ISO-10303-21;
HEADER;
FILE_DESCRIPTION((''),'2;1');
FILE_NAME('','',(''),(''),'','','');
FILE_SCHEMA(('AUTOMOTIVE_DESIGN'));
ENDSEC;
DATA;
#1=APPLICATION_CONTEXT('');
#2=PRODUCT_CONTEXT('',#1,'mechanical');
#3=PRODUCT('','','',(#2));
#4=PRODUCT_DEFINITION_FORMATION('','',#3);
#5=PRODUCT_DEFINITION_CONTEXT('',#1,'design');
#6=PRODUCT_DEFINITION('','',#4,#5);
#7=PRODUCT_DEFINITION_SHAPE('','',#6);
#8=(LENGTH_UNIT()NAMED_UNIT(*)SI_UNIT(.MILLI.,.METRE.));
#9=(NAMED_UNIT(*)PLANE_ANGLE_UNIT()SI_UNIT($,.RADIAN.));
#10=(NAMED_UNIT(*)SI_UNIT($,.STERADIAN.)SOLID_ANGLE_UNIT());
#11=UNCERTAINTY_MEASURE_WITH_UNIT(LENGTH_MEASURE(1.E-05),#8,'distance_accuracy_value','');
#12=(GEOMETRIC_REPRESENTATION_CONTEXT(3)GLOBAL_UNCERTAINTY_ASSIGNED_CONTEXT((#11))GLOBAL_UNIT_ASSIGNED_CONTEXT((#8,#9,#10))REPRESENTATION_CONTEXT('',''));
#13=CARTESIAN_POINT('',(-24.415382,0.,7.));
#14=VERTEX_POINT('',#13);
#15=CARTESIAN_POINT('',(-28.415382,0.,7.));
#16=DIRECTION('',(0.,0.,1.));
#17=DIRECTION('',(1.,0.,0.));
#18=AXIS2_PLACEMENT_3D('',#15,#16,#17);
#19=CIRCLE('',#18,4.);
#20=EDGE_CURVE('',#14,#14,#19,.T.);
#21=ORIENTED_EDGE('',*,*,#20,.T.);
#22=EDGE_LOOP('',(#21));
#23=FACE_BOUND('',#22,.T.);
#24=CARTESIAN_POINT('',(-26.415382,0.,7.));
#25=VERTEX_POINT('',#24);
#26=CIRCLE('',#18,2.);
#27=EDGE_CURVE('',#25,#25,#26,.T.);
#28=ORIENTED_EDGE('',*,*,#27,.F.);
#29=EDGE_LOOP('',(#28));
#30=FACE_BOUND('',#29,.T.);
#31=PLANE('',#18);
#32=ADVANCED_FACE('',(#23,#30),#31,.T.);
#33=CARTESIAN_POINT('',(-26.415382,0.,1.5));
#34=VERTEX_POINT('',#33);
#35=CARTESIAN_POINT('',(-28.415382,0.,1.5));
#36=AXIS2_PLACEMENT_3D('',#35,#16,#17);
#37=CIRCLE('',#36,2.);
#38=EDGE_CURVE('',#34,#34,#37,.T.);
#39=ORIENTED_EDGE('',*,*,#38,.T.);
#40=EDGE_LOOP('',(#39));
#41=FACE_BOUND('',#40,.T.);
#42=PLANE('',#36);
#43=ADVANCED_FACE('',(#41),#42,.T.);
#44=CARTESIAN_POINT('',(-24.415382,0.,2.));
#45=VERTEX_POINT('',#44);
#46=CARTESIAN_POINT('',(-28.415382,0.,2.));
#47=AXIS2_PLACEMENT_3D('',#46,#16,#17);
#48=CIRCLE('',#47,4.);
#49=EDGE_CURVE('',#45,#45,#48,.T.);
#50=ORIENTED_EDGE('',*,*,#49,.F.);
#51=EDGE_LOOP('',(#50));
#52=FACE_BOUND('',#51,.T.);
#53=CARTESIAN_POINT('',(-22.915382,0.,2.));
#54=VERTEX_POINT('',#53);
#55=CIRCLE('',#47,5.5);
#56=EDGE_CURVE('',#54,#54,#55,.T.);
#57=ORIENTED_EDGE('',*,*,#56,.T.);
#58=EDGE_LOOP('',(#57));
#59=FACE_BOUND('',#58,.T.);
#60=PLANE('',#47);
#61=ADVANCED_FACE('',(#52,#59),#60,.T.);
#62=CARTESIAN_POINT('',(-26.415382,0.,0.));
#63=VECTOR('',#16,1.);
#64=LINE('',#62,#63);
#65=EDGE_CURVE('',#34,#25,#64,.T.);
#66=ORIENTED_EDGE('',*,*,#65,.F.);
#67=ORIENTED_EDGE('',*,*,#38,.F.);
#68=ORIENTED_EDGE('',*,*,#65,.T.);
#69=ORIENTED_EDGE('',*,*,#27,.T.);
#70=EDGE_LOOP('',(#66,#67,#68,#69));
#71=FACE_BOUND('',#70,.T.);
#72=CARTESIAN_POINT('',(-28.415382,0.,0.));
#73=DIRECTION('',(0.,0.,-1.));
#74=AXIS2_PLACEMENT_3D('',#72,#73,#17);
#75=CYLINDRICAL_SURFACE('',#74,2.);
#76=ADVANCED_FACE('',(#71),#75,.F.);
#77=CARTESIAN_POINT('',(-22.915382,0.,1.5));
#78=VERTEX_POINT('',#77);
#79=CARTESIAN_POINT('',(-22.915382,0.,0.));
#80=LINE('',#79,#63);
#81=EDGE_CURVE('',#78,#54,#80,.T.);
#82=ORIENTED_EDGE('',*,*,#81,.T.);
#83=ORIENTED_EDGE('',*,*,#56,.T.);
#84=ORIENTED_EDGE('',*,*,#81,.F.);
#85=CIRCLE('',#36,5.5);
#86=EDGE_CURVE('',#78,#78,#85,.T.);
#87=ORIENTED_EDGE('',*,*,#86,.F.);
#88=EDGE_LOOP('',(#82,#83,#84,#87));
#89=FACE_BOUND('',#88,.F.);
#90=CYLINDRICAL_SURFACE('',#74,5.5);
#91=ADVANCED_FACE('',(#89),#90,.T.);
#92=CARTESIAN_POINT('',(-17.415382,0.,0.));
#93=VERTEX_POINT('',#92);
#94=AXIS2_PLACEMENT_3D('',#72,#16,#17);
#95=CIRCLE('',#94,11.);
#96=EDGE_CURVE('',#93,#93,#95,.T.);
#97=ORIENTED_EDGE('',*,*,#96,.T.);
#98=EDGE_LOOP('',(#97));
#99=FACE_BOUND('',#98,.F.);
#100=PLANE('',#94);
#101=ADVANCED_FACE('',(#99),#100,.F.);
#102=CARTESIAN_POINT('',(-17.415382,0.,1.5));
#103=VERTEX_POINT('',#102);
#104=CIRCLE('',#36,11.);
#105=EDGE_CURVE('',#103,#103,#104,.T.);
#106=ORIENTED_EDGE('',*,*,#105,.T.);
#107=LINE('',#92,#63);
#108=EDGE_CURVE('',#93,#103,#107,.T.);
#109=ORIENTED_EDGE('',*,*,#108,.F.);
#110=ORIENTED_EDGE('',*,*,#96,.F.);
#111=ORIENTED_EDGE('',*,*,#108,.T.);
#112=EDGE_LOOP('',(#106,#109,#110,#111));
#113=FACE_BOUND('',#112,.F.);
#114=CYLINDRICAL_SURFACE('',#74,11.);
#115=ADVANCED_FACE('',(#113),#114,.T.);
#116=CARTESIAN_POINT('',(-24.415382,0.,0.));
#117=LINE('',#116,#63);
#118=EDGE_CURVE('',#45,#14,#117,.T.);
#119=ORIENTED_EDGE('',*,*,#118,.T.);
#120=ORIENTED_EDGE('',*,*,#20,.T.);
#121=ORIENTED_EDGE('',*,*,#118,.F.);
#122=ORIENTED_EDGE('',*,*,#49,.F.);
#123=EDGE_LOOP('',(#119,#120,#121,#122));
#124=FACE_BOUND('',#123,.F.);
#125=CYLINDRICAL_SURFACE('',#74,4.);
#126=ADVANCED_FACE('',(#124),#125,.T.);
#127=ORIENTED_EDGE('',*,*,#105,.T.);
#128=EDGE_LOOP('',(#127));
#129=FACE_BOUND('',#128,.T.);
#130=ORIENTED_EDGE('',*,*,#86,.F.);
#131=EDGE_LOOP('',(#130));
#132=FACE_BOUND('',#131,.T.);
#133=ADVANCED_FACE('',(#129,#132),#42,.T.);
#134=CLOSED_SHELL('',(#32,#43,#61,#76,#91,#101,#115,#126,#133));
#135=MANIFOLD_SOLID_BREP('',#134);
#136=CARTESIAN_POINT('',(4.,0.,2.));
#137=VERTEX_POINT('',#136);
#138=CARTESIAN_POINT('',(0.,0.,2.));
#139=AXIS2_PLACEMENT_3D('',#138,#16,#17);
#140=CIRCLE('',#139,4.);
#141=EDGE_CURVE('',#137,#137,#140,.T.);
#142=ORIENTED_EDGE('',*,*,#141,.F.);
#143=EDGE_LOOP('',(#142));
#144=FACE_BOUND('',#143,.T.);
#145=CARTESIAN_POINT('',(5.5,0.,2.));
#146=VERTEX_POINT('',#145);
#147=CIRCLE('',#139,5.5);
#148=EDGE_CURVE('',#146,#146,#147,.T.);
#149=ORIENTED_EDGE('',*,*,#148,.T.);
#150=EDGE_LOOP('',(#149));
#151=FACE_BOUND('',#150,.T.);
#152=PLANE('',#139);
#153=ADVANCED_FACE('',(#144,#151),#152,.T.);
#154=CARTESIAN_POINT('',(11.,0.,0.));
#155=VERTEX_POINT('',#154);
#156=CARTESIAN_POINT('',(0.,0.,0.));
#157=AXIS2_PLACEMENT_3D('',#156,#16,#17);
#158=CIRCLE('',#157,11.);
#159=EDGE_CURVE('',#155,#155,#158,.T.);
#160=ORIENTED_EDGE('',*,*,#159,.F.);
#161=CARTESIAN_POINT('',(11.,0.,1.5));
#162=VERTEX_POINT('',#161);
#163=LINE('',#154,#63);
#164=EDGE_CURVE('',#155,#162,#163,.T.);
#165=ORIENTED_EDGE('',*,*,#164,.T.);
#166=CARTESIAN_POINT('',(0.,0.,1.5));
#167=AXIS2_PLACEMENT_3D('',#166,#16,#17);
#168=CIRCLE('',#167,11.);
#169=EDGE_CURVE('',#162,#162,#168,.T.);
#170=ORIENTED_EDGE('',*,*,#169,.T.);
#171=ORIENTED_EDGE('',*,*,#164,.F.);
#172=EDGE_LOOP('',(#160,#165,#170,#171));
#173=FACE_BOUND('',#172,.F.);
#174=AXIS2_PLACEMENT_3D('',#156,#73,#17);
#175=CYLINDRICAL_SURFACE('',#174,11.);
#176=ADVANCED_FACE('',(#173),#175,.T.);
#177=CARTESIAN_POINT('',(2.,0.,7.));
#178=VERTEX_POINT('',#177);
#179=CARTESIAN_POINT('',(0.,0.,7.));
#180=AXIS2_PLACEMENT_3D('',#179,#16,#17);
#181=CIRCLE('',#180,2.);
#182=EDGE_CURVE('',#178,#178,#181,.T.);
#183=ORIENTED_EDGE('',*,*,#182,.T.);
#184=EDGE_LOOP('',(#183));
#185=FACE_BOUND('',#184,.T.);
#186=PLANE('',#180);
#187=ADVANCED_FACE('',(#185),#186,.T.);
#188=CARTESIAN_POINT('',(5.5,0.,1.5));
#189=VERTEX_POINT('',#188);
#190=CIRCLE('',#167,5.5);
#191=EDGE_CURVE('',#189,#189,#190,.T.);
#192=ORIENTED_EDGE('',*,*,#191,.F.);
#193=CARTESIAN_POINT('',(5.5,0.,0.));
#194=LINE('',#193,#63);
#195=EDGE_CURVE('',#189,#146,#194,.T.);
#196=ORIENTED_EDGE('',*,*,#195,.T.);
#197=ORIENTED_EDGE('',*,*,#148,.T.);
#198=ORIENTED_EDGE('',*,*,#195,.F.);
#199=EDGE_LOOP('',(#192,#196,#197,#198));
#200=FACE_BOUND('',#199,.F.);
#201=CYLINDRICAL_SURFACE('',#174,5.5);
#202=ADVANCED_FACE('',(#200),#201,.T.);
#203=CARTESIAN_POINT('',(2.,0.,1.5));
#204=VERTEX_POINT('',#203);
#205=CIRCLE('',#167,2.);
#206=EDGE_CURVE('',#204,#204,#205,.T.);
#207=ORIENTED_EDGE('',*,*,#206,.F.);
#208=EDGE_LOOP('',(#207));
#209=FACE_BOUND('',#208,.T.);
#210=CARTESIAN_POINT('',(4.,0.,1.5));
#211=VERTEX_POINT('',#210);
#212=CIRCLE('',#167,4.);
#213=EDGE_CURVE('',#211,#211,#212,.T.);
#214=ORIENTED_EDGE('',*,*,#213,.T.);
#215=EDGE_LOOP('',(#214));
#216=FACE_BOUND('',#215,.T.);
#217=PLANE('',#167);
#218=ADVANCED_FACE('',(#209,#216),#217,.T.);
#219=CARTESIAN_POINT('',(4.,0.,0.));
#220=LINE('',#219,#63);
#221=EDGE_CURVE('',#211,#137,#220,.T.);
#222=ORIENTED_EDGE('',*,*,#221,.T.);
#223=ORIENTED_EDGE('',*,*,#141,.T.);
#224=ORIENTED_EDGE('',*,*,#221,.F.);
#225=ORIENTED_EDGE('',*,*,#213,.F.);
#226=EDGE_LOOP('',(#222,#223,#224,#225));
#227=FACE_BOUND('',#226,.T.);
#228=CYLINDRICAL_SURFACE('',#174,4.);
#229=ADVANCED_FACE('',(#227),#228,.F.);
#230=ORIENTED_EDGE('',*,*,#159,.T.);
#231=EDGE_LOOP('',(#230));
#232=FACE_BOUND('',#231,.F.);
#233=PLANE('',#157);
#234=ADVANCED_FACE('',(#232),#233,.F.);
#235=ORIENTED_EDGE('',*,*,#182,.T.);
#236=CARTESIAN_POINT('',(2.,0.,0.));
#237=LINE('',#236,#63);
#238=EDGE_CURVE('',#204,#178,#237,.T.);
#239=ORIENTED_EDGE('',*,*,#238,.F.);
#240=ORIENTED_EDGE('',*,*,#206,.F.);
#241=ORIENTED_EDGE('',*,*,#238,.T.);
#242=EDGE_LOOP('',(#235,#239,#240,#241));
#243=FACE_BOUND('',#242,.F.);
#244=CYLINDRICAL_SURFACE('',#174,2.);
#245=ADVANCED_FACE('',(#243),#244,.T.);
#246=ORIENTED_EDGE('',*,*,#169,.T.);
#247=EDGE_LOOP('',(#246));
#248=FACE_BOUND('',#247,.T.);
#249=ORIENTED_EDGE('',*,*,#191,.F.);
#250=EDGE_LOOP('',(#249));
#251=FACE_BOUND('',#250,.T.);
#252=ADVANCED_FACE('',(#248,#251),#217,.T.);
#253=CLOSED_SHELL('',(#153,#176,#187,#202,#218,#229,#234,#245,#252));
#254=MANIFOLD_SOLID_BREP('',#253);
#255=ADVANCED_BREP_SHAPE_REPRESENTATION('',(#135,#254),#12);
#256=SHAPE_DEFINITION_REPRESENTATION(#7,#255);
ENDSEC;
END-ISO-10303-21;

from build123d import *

# Parameters (mm, degrees)
F0_R     = 11
F0_R_2   = 5.5
F1_DEPTH = 1.5
F0_R_3   = 4
F2_DEPTH = 2
F0_R_4   = 2
F3_DEPTH = 7
F4_DEPTH = 1.5
F5_DEPTH = 1.5


with BuildPart() as f1:
    # F0 (on Top) → F1 (new body)
    with BuildSketch(Plane.XY):
        Circle(F0_R)
        Circle(F0_R_2, mode=Mode.SUBTRACT)
    extrude(amount=F1_DEPTH)

    # F0 (on Top) → F2 (join)
    with BuildSketch(Plane.XY):
        Circle(F0_R_2)
        Circle(F0_R_3, mode=Mode.SUBTRACT)
    extrude(amount=F2_DEPTH)



with BuildPart() as f1b:
    # F0 (on Top) → F1, piece 2 (new body)
    with BuildSketch(Plane.XY):
        with Locations((-28.4153819084, 0)):
            Circle(F0_R)
        with Locations((-28.4153819084, 0)):
            Circle(F0_R_2, mode=Mode.SUBTRACT)
    extrude(amount=F1_DEPTH)

    # F0 (on Top) → F2, piece 2 (join)
    with BuildSketch(Plane.XY):
        with Locations((-28.4153819084, 0)):
            Circle(F0_R_2)
        with Locations((-28.4153819084, 0)):
            Circle(F0_R_3, mode=Mode.SUBTRACT)
    extrude(amount=F2_DEPTH)

    # F0 (on Top) → F3 (join)
    with BuildSketch(Plane.XY):
        with Locations((-28.4153819084, 0)):
            Circle(F0_R_3)
        with Locations((-28.4153819084, 0)):
            Circle(F0_R_4, mode=Mode.SUBTRACT)
    extrude(amount=F3_DEPTH)

    # F0 (on Top) → F5 (join)
    with BuildSketch(Plane.XY):
        with Locations((-28.4153819084, 0)):
            Circle(F0_R_4)
    extrude(amount=F5_DEPTH)


with BuildPart() as f3:
    # F0 (on Top) → F3, piece 2 (new body)
    with BuildSketch(Plane.XY):
        Circle(F0_R_4)
    extrude(amount=F3_DEPTH)


with BuildPart() as f1_1:
    add(f1.part)

    add(f3.part)  # F4 merges F3
    # F0 (on Top) → F4 (join)
    with BuildSketch(Plane.XY):
        Circle(F0_R_3)
        Circle(F0_R_4, mode=Mode.SUBTRACT)
    extrude(amount=F4_DEPTH)


solid = Compound([f1b.part, f1_1.part])
